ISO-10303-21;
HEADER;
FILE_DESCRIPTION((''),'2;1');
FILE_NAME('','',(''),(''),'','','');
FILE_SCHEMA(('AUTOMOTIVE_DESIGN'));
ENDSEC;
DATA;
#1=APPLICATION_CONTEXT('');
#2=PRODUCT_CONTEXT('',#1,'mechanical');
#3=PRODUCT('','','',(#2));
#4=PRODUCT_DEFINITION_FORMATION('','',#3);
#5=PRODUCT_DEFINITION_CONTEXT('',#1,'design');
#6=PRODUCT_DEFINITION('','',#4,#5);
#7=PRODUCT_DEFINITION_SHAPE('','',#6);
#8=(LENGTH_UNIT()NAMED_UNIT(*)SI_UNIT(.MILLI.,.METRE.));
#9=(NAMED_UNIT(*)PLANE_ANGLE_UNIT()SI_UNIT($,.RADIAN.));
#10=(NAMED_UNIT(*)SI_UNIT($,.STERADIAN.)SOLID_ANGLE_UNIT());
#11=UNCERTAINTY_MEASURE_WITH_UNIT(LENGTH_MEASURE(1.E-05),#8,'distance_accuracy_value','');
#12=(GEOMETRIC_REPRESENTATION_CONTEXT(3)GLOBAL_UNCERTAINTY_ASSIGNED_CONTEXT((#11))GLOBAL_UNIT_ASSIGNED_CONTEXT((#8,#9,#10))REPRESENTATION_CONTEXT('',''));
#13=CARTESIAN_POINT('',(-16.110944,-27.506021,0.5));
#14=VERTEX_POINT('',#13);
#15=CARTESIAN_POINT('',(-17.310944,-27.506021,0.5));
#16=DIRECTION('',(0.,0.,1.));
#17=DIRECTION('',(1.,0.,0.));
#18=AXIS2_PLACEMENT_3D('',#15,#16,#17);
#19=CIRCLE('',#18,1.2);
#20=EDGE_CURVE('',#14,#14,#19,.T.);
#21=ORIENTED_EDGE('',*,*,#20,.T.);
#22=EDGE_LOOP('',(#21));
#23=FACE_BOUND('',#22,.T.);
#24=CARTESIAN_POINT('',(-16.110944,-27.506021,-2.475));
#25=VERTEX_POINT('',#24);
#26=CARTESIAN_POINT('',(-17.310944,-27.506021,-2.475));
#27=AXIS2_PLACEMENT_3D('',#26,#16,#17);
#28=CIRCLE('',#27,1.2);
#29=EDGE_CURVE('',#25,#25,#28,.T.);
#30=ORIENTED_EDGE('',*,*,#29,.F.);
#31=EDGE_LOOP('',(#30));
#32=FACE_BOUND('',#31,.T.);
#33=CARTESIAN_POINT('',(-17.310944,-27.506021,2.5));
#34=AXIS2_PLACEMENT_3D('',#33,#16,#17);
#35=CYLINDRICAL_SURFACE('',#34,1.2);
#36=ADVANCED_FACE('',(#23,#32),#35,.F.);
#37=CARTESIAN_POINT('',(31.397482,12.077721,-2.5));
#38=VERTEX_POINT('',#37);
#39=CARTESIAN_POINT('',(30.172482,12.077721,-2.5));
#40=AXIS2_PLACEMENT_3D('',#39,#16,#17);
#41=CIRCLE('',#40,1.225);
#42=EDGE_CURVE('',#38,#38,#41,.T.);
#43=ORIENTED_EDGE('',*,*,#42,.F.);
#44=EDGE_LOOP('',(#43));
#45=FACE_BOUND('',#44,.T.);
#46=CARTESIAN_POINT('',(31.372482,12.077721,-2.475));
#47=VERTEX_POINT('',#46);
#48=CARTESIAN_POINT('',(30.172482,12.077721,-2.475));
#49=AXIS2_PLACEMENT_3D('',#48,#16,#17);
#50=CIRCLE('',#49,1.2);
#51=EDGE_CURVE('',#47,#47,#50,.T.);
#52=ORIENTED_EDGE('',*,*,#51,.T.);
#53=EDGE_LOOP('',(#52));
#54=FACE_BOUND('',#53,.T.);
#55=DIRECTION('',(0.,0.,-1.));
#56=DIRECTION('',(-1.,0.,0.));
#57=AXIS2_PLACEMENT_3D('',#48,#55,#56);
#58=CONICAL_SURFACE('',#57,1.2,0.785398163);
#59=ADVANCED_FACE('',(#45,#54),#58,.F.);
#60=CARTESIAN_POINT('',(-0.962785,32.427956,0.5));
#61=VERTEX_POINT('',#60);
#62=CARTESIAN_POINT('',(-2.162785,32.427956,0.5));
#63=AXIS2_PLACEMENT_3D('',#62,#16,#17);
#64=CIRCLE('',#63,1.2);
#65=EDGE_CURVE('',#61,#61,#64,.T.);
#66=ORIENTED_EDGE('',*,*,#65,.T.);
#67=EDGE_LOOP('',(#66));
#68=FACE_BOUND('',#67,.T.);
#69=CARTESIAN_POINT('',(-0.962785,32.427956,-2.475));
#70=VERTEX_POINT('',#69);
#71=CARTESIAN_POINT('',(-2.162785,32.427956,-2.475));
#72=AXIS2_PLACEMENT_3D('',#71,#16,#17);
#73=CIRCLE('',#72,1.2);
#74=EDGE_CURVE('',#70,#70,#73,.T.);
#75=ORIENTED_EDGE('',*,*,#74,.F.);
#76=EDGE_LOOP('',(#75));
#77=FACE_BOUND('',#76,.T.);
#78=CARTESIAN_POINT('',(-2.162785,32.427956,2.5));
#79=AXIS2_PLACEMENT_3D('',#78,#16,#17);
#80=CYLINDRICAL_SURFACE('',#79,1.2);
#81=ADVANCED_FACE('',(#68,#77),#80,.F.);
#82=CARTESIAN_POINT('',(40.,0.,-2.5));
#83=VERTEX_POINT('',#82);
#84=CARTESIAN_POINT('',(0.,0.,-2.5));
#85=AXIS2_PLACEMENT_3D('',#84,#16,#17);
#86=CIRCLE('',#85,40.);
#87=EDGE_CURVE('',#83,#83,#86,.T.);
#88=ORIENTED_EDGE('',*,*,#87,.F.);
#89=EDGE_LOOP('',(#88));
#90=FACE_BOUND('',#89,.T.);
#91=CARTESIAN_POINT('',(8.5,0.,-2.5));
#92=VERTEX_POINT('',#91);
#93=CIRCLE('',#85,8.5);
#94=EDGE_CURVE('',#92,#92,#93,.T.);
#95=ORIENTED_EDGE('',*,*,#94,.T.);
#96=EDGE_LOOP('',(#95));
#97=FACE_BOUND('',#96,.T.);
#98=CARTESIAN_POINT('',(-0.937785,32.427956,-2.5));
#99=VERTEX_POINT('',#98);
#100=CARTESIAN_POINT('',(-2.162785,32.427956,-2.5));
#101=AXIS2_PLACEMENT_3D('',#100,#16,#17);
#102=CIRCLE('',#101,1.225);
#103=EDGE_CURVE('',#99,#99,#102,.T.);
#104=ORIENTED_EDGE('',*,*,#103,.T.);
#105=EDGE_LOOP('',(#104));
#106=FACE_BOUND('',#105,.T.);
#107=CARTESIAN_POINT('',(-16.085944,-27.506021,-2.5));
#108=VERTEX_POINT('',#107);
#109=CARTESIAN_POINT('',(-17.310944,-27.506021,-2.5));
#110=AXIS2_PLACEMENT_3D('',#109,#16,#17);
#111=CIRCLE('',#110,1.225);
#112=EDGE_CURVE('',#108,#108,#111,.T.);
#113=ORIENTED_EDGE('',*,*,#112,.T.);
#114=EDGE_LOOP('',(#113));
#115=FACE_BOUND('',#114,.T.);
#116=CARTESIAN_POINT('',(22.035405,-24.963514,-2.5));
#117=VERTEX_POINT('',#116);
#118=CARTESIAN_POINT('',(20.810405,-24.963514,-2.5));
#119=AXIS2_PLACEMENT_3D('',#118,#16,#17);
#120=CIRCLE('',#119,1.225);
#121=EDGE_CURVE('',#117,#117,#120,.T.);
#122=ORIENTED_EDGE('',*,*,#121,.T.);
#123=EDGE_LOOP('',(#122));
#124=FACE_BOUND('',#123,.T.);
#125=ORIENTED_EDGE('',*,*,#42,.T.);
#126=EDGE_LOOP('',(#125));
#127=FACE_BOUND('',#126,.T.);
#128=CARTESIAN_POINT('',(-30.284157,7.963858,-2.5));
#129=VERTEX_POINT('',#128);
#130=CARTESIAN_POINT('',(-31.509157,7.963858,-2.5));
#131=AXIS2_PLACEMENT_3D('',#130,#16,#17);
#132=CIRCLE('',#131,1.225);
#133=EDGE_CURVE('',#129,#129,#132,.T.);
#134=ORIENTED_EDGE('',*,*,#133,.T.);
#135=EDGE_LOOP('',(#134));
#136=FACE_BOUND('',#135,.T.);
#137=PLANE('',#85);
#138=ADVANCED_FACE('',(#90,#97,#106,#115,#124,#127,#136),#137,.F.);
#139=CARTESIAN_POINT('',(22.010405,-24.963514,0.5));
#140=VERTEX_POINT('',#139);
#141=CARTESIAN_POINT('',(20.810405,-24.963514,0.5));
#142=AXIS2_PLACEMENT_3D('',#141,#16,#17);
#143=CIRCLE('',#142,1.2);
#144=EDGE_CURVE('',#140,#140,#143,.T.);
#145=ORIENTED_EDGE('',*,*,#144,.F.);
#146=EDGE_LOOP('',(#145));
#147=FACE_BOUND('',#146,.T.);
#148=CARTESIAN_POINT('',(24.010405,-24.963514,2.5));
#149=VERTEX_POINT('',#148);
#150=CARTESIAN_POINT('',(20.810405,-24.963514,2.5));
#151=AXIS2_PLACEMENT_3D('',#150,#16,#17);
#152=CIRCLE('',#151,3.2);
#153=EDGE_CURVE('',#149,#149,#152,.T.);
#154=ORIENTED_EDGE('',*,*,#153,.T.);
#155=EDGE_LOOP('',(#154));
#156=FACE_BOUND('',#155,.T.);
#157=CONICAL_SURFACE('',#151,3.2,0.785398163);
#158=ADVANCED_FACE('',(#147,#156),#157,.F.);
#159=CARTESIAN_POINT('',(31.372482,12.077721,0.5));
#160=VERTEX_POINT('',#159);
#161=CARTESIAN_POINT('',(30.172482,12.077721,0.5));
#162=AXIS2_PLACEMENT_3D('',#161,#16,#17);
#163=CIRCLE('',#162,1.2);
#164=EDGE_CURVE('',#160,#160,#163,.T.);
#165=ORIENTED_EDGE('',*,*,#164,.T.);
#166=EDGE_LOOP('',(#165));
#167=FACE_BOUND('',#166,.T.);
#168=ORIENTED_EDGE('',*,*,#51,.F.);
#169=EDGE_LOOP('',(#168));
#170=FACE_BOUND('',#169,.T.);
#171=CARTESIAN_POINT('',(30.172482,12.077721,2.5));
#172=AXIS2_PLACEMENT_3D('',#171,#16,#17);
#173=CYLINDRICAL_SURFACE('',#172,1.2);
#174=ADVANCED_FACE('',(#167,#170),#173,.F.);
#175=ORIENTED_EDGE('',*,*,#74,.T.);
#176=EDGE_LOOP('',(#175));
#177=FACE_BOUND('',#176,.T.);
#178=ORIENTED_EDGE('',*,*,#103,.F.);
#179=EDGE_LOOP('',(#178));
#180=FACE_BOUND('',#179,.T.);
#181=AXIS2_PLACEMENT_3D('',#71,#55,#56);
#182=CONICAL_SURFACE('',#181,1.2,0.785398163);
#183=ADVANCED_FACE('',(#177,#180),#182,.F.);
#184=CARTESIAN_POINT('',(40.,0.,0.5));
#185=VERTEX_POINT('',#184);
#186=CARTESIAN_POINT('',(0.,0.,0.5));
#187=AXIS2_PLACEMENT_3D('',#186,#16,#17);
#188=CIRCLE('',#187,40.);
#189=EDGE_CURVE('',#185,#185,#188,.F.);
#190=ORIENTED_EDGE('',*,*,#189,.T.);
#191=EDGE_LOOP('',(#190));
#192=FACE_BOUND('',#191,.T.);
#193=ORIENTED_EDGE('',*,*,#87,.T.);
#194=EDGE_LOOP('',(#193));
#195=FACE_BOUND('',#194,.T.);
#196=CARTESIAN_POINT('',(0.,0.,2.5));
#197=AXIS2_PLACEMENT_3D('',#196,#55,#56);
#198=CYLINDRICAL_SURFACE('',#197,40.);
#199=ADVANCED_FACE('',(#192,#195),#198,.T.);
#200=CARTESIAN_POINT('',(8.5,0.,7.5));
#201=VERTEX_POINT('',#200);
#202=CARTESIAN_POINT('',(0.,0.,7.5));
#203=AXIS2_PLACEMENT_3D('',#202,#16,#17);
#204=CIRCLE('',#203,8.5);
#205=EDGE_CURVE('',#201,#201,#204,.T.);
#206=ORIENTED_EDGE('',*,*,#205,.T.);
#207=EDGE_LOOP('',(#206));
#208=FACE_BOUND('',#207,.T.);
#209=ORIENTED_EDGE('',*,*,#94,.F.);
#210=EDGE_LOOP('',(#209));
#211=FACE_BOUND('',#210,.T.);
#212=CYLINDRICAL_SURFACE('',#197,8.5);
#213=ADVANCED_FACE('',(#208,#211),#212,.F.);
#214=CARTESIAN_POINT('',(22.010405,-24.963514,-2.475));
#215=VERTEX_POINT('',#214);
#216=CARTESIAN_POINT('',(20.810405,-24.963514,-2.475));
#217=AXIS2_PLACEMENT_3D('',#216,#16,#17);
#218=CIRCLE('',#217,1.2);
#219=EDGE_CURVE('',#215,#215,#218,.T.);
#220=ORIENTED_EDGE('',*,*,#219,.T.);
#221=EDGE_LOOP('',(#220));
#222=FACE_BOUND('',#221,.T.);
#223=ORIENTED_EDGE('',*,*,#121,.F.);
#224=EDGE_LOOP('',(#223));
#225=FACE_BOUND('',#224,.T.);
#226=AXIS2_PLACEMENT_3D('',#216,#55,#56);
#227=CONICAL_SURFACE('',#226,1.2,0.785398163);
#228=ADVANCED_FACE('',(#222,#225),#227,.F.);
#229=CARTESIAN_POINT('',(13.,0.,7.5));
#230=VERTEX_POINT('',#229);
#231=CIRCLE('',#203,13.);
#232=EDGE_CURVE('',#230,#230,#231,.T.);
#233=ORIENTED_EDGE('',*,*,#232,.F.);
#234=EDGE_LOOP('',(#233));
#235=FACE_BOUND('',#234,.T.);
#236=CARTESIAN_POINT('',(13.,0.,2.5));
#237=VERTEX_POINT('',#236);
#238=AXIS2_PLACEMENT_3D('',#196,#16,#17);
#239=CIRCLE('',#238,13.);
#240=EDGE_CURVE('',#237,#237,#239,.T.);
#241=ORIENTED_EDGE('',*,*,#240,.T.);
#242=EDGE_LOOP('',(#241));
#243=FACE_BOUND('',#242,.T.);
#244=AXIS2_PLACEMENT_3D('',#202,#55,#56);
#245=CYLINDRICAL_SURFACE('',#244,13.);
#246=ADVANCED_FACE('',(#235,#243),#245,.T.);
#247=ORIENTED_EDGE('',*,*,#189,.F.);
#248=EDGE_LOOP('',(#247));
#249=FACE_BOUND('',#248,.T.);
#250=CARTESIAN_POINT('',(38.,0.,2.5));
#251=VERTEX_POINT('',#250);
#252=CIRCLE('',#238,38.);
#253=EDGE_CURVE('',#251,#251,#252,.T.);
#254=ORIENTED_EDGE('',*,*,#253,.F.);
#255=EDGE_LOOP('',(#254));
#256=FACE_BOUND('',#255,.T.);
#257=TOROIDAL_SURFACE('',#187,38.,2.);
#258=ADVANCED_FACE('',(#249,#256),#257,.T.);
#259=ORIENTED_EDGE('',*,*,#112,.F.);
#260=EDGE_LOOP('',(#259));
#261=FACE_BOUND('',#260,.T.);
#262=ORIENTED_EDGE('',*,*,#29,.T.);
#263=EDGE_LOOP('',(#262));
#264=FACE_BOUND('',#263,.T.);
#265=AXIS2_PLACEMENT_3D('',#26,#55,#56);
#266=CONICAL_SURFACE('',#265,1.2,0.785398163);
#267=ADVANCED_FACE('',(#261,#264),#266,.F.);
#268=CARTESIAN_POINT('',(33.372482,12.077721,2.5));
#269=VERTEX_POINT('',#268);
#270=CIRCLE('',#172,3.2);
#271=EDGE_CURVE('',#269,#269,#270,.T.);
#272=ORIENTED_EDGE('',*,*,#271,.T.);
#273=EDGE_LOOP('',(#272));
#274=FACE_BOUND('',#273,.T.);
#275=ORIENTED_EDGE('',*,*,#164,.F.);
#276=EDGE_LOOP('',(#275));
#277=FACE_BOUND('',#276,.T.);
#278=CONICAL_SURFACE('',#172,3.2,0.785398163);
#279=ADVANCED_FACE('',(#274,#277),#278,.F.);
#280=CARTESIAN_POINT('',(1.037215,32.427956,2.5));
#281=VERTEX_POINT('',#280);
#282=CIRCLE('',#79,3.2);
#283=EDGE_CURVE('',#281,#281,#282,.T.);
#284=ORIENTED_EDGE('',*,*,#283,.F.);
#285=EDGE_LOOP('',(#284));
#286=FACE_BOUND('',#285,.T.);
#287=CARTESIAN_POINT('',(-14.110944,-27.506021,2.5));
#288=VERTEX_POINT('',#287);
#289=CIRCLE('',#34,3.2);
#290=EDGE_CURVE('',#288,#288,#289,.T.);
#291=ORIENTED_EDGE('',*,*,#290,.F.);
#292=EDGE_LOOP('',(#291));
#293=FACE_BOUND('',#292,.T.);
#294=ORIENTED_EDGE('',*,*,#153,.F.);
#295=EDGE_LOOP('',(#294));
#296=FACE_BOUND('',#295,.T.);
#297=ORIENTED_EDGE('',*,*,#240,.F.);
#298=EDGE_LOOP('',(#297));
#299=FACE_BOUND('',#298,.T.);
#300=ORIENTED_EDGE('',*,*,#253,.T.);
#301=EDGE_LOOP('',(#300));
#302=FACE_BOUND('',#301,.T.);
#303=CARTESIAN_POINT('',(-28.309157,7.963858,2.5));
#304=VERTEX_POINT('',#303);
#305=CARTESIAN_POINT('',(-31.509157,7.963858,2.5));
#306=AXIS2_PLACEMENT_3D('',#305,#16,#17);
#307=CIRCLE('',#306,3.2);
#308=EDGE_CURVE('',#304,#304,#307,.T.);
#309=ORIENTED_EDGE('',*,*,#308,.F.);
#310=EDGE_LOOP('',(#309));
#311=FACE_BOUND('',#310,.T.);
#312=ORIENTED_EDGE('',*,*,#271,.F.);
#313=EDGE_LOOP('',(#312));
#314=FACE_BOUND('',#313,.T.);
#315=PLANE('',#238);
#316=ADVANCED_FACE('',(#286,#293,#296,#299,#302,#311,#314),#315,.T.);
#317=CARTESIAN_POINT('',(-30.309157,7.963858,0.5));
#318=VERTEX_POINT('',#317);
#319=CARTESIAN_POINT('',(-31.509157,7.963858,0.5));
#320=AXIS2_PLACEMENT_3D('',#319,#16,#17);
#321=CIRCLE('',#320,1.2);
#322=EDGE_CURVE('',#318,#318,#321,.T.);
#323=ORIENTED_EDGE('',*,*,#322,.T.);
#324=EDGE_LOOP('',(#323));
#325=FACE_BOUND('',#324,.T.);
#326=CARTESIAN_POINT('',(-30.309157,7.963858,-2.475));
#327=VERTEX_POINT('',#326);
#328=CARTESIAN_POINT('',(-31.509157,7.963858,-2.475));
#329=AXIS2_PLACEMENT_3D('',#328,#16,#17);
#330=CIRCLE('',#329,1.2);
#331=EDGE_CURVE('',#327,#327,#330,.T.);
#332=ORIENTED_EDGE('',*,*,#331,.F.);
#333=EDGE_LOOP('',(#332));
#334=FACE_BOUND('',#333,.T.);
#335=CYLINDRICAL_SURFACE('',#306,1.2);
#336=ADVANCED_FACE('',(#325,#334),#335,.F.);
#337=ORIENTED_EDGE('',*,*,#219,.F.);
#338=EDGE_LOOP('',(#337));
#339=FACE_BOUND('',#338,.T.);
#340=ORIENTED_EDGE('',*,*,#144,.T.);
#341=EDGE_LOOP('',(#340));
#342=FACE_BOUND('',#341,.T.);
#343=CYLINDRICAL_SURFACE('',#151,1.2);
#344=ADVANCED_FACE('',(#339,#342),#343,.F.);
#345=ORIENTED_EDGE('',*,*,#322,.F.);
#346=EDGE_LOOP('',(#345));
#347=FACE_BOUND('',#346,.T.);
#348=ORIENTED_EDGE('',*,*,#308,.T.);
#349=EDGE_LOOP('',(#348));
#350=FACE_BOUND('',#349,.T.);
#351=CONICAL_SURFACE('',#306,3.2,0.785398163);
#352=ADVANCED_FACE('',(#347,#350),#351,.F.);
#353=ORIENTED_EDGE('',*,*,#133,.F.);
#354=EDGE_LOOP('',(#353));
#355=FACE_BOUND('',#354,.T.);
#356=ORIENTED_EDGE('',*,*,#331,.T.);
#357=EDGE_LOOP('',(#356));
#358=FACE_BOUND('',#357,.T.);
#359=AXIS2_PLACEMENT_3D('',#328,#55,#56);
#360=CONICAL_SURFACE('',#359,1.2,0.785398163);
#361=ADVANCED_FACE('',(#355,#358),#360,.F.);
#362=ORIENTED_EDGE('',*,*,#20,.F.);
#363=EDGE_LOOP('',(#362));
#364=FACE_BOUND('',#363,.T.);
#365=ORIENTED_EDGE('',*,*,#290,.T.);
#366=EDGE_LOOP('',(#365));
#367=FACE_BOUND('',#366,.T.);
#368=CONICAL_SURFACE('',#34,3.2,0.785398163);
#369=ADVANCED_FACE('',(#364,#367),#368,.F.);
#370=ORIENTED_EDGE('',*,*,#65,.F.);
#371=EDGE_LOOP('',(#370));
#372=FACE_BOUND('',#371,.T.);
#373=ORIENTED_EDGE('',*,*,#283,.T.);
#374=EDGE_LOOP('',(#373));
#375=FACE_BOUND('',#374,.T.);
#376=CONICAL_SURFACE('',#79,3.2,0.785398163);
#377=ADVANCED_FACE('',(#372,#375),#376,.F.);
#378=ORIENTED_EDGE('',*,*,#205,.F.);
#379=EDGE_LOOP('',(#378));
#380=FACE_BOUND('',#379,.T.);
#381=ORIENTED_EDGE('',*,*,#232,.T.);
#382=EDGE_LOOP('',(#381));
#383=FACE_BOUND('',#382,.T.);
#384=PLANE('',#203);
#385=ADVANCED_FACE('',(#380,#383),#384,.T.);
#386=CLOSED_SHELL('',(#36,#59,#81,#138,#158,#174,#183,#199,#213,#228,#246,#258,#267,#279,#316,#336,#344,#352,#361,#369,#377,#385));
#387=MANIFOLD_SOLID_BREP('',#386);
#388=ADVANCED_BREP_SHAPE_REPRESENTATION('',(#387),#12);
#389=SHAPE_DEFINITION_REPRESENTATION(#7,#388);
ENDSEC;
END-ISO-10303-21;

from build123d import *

# Parameters (mm, degrees)
SKETCH1_R           = 40
SKETCH1_R_2         = 8.5
BOSS_EXTRUDE1_DEPTH = 2.5
FILLET2_R           = 2
CIRPATTERN1_COUNT   = 5
SKETCH6_R           = 13
SKETCH6_R_2         = 8.5
BOSS_EXTRUDE2_DEPTH = 5


with BuildPart() as part:
    # Sketch1 → Boss-Extrude1 (new body, symmetric)
    with BuildSketch(Plane.XY):
        Circle(SKETCH1_R)
        Circle(SKETCH1_R_2, mode=Mode.SUBTRACT)
    extrude(amount=BOSS_EXTRUDE1_DEPTH, both=True)

    # Fillet2
    fillet2_edges = [part.edges().sort_by_distance(p)[0] for p in [
        (-40, 0, 2.5),
    ]]
    fillet(fillet2_edges, radius=FILLET2_R)

    # Sketch5 → CSK for M2 Flat Head Machine Screw1 (revolve, cut)
    with BuildSketch(Plane(origin=(-2.162785463, 32.427956443, 2.5), x_dir=(0, -1, 0), z_dir=(1, 0, 0))):
        Polygon((0, 0), (0, 5), (1.225, 5), (1.2, 4.975), (1.2, 2), (3.2, 0), align=None)
    csk_for_m2_flat_head_machine_screw1 = revolve(axis=Axis((-2.162785463, 32.427956443, 8.85), (0, 0, -1)), mode=Mode.SUBTRACT)

    # CirPattern1: CSK for M2 Flat Head Machine Screw1 ×5 about axis
    cirpattern1_axis = Axis((0, 0, 0), (0, 0, 1))
    for i in range(1, CIRPATTERN1_COUNT):
        add(csk_for_m2_flat_head_machine_screw1.rotate(cirpattern1_axis, i * 360 / CIRPATTERN1_COUNT), mode=Mode.SUBTRACT)

    # Sketch6 → Boss-Extrude2 (add)
    with BuildSketch(Plane.XY.offset(2.5)):
        Circle(SKETCH6_R)
        Circle(SKETCH6_R_2, mode=Mode.SUBTRACT)
    extrude(amount=BOSS_EXTRUDE2_DEPTH)


solid = part.part
